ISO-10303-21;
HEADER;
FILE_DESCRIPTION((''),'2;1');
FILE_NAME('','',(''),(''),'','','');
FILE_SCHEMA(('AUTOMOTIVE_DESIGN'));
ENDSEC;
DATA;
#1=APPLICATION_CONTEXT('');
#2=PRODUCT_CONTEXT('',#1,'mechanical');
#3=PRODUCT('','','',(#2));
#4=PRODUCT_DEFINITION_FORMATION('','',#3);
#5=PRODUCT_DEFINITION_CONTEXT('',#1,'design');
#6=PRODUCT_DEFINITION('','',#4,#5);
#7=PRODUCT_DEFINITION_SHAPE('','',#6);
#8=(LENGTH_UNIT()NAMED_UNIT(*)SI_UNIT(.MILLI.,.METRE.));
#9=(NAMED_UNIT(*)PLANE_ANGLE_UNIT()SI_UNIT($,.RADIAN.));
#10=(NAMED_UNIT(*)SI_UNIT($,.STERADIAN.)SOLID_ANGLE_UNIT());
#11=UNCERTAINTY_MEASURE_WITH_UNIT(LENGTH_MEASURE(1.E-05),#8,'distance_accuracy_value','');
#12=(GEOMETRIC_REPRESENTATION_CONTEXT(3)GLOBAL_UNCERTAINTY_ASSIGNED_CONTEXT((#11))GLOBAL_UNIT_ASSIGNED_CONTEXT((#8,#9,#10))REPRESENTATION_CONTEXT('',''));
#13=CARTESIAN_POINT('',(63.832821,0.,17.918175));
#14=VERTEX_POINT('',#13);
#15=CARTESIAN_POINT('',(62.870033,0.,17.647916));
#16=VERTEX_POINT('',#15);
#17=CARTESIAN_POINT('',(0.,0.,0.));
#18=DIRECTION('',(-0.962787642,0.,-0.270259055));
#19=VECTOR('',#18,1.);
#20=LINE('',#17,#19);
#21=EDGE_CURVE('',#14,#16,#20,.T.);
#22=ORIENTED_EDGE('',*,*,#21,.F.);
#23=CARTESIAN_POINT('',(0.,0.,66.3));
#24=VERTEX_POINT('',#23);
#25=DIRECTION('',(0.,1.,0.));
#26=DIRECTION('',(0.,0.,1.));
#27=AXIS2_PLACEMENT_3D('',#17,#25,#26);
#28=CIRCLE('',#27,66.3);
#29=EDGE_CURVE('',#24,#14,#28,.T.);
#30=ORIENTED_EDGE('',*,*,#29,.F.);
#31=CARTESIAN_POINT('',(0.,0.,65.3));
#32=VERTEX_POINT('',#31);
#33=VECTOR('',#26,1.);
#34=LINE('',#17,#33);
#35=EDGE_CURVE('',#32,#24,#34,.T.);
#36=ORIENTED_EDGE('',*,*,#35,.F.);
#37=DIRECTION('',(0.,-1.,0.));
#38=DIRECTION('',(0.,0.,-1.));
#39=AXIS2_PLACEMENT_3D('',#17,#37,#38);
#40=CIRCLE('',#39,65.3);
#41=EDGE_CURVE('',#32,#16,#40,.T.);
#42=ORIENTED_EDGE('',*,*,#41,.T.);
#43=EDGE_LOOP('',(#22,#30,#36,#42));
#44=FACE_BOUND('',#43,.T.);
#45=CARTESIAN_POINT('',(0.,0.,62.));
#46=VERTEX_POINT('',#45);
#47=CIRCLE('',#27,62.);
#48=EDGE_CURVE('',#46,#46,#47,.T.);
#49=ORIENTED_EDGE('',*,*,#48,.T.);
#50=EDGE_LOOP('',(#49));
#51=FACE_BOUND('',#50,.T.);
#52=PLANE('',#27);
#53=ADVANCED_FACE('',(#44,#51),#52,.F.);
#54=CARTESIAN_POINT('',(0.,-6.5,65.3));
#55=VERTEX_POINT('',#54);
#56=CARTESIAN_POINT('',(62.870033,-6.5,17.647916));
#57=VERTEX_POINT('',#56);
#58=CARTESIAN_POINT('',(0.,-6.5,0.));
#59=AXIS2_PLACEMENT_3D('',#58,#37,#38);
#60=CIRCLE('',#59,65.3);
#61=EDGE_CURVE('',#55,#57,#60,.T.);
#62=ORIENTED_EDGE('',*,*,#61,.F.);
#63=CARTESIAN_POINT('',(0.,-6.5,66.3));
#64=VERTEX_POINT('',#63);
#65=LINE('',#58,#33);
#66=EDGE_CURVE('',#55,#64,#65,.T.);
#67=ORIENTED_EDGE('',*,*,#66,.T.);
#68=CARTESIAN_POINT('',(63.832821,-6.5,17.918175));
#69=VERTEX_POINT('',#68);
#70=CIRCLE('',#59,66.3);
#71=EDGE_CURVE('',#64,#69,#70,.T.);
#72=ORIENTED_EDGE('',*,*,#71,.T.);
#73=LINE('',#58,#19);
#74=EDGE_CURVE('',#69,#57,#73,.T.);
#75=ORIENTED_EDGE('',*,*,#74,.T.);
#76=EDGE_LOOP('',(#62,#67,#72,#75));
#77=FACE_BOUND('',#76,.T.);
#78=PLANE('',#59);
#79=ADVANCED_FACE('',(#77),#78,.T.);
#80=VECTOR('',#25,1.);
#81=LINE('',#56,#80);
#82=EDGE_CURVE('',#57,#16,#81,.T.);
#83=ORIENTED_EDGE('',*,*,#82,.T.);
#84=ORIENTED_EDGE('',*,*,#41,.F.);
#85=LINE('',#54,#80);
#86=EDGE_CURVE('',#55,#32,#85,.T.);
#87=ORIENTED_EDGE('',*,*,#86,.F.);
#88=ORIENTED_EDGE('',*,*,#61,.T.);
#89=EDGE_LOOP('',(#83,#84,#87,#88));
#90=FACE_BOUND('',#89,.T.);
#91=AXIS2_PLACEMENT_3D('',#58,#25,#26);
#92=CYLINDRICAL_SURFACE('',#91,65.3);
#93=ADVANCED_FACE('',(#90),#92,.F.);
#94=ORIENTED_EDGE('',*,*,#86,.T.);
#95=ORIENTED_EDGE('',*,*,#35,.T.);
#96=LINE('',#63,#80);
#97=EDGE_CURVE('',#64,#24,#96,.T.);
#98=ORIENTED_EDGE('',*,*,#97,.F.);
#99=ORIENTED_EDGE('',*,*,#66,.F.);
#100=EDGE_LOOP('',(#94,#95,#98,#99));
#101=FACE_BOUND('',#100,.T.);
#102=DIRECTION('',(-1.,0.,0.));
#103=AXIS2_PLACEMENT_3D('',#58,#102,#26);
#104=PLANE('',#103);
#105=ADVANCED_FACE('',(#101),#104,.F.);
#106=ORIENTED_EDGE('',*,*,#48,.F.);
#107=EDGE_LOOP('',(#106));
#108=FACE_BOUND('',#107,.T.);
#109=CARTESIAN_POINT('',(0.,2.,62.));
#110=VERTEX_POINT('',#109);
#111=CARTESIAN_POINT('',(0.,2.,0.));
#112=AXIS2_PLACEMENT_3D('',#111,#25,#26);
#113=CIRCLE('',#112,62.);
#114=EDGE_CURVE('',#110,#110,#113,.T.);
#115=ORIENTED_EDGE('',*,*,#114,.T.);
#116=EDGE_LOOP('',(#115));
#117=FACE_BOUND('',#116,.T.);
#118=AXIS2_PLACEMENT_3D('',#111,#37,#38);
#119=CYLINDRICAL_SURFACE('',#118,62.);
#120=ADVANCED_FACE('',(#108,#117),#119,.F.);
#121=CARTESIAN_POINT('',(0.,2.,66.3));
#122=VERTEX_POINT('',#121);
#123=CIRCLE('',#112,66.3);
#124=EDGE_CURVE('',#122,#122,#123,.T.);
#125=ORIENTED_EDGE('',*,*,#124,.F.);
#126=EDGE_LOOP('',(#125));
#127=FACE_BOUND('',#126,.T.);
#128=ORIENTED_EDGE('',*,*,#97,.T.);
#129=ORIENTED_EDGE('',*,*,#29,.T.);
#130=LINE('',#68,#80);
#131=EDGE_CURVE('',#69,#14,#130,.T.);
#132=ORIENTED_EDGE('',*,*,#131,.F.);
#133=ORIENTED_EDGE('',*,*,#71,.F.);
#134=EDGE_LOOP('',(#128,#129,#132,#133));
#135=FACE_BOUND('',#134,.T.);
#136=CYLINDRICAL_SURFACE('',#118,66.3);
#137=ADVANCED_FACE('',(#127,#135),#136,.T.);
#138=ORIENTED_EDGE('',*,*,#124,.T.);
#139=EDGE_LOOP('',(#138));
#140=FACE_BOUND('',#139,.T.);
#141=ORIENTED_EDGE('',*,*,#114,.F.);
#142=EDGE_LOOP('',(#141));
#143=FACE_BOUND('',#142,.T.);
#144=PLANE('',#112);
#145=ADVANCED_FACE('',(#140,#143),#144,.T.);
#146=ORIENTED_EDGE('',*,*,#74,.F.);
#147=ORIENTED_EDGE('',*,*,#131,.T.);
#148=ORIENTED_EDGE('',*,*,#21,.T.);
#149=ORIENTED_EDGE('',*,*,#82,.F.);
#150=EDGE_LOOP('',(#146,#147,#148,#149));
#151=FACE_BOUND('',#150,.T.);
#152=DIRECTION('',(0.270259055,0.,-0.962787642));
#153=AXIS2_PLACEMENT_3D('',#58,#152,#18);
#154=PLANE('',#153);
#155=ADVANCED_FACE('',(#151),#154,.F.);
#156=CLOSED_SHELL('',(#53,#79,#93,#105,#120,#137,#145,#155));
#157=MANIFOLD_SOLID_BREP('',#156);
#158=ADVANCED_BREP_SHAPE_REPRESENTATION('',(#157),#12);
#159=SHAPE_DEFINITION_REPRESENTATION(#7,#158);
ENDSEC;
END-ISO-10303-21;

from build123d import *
from build123d.topology import SkipClean

# Parameters (mm, degrees)
SKETCH2_R           = 66.3
SKETCH2_R_2         = 62
BOSS_EXTRUDE1_DEPTH = 2
BOSS_EXTRUDE2_START = 6.5
BOSS_EXTRUDE2_DEPTH = 6.5


with BuildPart() as part:
    # Sketch2 → Boss-Extrude1 (new body)
    with BuildSketch(Plane(origin=(0, 0, 0), x_dir=(1, 0, 0), z_dir=(0, 1, 0))):
        with Locations(Location((0, 0, 0), (0, 0, 270))):
            Circle(SKETCH2_R)
        with Locations(Location((0, 0, 0), (0, 0, 270))):
            Circle(SKETCH2_R_2, mode=Mode.SUBTRACT)
    extrude(amount=BOSS_EXTRUDE1_DEPTH)

    # Sketch3 → Boss-Extrude2 (add)
    with SkipClean():  # the faces are left unmerged after this step: merging them gives an invalid solid
        with BuildSketch(Plane.XZ.offset(BOSS_EXTRUDE2_START)):
            with BuildLine():
                ThreePointArc((65.3, 0), (-46.174072811, -46.174072811), (0, 65.3))
                Line((0, 65.3), (0, 66.3))
                ThreePointArc((0, 66.3), (-46.881179593, -46.881179593), (66.3, 0))
                ThreePointArc((66.3, 0), (65.680309111, 9.043616265), (63.832820659, 17.918175317))
                Line((63.832820659, 17.918175317), (62.870033017, 17.647916262))
                ThreePointArc((62.870033017, 17.647916262), (64.689655881, 8.907211796), (65.3, 0))
            make_face()
        extrude(amount=-BOSS_EXTRUDE2_DEPTH)


solid = part.part
